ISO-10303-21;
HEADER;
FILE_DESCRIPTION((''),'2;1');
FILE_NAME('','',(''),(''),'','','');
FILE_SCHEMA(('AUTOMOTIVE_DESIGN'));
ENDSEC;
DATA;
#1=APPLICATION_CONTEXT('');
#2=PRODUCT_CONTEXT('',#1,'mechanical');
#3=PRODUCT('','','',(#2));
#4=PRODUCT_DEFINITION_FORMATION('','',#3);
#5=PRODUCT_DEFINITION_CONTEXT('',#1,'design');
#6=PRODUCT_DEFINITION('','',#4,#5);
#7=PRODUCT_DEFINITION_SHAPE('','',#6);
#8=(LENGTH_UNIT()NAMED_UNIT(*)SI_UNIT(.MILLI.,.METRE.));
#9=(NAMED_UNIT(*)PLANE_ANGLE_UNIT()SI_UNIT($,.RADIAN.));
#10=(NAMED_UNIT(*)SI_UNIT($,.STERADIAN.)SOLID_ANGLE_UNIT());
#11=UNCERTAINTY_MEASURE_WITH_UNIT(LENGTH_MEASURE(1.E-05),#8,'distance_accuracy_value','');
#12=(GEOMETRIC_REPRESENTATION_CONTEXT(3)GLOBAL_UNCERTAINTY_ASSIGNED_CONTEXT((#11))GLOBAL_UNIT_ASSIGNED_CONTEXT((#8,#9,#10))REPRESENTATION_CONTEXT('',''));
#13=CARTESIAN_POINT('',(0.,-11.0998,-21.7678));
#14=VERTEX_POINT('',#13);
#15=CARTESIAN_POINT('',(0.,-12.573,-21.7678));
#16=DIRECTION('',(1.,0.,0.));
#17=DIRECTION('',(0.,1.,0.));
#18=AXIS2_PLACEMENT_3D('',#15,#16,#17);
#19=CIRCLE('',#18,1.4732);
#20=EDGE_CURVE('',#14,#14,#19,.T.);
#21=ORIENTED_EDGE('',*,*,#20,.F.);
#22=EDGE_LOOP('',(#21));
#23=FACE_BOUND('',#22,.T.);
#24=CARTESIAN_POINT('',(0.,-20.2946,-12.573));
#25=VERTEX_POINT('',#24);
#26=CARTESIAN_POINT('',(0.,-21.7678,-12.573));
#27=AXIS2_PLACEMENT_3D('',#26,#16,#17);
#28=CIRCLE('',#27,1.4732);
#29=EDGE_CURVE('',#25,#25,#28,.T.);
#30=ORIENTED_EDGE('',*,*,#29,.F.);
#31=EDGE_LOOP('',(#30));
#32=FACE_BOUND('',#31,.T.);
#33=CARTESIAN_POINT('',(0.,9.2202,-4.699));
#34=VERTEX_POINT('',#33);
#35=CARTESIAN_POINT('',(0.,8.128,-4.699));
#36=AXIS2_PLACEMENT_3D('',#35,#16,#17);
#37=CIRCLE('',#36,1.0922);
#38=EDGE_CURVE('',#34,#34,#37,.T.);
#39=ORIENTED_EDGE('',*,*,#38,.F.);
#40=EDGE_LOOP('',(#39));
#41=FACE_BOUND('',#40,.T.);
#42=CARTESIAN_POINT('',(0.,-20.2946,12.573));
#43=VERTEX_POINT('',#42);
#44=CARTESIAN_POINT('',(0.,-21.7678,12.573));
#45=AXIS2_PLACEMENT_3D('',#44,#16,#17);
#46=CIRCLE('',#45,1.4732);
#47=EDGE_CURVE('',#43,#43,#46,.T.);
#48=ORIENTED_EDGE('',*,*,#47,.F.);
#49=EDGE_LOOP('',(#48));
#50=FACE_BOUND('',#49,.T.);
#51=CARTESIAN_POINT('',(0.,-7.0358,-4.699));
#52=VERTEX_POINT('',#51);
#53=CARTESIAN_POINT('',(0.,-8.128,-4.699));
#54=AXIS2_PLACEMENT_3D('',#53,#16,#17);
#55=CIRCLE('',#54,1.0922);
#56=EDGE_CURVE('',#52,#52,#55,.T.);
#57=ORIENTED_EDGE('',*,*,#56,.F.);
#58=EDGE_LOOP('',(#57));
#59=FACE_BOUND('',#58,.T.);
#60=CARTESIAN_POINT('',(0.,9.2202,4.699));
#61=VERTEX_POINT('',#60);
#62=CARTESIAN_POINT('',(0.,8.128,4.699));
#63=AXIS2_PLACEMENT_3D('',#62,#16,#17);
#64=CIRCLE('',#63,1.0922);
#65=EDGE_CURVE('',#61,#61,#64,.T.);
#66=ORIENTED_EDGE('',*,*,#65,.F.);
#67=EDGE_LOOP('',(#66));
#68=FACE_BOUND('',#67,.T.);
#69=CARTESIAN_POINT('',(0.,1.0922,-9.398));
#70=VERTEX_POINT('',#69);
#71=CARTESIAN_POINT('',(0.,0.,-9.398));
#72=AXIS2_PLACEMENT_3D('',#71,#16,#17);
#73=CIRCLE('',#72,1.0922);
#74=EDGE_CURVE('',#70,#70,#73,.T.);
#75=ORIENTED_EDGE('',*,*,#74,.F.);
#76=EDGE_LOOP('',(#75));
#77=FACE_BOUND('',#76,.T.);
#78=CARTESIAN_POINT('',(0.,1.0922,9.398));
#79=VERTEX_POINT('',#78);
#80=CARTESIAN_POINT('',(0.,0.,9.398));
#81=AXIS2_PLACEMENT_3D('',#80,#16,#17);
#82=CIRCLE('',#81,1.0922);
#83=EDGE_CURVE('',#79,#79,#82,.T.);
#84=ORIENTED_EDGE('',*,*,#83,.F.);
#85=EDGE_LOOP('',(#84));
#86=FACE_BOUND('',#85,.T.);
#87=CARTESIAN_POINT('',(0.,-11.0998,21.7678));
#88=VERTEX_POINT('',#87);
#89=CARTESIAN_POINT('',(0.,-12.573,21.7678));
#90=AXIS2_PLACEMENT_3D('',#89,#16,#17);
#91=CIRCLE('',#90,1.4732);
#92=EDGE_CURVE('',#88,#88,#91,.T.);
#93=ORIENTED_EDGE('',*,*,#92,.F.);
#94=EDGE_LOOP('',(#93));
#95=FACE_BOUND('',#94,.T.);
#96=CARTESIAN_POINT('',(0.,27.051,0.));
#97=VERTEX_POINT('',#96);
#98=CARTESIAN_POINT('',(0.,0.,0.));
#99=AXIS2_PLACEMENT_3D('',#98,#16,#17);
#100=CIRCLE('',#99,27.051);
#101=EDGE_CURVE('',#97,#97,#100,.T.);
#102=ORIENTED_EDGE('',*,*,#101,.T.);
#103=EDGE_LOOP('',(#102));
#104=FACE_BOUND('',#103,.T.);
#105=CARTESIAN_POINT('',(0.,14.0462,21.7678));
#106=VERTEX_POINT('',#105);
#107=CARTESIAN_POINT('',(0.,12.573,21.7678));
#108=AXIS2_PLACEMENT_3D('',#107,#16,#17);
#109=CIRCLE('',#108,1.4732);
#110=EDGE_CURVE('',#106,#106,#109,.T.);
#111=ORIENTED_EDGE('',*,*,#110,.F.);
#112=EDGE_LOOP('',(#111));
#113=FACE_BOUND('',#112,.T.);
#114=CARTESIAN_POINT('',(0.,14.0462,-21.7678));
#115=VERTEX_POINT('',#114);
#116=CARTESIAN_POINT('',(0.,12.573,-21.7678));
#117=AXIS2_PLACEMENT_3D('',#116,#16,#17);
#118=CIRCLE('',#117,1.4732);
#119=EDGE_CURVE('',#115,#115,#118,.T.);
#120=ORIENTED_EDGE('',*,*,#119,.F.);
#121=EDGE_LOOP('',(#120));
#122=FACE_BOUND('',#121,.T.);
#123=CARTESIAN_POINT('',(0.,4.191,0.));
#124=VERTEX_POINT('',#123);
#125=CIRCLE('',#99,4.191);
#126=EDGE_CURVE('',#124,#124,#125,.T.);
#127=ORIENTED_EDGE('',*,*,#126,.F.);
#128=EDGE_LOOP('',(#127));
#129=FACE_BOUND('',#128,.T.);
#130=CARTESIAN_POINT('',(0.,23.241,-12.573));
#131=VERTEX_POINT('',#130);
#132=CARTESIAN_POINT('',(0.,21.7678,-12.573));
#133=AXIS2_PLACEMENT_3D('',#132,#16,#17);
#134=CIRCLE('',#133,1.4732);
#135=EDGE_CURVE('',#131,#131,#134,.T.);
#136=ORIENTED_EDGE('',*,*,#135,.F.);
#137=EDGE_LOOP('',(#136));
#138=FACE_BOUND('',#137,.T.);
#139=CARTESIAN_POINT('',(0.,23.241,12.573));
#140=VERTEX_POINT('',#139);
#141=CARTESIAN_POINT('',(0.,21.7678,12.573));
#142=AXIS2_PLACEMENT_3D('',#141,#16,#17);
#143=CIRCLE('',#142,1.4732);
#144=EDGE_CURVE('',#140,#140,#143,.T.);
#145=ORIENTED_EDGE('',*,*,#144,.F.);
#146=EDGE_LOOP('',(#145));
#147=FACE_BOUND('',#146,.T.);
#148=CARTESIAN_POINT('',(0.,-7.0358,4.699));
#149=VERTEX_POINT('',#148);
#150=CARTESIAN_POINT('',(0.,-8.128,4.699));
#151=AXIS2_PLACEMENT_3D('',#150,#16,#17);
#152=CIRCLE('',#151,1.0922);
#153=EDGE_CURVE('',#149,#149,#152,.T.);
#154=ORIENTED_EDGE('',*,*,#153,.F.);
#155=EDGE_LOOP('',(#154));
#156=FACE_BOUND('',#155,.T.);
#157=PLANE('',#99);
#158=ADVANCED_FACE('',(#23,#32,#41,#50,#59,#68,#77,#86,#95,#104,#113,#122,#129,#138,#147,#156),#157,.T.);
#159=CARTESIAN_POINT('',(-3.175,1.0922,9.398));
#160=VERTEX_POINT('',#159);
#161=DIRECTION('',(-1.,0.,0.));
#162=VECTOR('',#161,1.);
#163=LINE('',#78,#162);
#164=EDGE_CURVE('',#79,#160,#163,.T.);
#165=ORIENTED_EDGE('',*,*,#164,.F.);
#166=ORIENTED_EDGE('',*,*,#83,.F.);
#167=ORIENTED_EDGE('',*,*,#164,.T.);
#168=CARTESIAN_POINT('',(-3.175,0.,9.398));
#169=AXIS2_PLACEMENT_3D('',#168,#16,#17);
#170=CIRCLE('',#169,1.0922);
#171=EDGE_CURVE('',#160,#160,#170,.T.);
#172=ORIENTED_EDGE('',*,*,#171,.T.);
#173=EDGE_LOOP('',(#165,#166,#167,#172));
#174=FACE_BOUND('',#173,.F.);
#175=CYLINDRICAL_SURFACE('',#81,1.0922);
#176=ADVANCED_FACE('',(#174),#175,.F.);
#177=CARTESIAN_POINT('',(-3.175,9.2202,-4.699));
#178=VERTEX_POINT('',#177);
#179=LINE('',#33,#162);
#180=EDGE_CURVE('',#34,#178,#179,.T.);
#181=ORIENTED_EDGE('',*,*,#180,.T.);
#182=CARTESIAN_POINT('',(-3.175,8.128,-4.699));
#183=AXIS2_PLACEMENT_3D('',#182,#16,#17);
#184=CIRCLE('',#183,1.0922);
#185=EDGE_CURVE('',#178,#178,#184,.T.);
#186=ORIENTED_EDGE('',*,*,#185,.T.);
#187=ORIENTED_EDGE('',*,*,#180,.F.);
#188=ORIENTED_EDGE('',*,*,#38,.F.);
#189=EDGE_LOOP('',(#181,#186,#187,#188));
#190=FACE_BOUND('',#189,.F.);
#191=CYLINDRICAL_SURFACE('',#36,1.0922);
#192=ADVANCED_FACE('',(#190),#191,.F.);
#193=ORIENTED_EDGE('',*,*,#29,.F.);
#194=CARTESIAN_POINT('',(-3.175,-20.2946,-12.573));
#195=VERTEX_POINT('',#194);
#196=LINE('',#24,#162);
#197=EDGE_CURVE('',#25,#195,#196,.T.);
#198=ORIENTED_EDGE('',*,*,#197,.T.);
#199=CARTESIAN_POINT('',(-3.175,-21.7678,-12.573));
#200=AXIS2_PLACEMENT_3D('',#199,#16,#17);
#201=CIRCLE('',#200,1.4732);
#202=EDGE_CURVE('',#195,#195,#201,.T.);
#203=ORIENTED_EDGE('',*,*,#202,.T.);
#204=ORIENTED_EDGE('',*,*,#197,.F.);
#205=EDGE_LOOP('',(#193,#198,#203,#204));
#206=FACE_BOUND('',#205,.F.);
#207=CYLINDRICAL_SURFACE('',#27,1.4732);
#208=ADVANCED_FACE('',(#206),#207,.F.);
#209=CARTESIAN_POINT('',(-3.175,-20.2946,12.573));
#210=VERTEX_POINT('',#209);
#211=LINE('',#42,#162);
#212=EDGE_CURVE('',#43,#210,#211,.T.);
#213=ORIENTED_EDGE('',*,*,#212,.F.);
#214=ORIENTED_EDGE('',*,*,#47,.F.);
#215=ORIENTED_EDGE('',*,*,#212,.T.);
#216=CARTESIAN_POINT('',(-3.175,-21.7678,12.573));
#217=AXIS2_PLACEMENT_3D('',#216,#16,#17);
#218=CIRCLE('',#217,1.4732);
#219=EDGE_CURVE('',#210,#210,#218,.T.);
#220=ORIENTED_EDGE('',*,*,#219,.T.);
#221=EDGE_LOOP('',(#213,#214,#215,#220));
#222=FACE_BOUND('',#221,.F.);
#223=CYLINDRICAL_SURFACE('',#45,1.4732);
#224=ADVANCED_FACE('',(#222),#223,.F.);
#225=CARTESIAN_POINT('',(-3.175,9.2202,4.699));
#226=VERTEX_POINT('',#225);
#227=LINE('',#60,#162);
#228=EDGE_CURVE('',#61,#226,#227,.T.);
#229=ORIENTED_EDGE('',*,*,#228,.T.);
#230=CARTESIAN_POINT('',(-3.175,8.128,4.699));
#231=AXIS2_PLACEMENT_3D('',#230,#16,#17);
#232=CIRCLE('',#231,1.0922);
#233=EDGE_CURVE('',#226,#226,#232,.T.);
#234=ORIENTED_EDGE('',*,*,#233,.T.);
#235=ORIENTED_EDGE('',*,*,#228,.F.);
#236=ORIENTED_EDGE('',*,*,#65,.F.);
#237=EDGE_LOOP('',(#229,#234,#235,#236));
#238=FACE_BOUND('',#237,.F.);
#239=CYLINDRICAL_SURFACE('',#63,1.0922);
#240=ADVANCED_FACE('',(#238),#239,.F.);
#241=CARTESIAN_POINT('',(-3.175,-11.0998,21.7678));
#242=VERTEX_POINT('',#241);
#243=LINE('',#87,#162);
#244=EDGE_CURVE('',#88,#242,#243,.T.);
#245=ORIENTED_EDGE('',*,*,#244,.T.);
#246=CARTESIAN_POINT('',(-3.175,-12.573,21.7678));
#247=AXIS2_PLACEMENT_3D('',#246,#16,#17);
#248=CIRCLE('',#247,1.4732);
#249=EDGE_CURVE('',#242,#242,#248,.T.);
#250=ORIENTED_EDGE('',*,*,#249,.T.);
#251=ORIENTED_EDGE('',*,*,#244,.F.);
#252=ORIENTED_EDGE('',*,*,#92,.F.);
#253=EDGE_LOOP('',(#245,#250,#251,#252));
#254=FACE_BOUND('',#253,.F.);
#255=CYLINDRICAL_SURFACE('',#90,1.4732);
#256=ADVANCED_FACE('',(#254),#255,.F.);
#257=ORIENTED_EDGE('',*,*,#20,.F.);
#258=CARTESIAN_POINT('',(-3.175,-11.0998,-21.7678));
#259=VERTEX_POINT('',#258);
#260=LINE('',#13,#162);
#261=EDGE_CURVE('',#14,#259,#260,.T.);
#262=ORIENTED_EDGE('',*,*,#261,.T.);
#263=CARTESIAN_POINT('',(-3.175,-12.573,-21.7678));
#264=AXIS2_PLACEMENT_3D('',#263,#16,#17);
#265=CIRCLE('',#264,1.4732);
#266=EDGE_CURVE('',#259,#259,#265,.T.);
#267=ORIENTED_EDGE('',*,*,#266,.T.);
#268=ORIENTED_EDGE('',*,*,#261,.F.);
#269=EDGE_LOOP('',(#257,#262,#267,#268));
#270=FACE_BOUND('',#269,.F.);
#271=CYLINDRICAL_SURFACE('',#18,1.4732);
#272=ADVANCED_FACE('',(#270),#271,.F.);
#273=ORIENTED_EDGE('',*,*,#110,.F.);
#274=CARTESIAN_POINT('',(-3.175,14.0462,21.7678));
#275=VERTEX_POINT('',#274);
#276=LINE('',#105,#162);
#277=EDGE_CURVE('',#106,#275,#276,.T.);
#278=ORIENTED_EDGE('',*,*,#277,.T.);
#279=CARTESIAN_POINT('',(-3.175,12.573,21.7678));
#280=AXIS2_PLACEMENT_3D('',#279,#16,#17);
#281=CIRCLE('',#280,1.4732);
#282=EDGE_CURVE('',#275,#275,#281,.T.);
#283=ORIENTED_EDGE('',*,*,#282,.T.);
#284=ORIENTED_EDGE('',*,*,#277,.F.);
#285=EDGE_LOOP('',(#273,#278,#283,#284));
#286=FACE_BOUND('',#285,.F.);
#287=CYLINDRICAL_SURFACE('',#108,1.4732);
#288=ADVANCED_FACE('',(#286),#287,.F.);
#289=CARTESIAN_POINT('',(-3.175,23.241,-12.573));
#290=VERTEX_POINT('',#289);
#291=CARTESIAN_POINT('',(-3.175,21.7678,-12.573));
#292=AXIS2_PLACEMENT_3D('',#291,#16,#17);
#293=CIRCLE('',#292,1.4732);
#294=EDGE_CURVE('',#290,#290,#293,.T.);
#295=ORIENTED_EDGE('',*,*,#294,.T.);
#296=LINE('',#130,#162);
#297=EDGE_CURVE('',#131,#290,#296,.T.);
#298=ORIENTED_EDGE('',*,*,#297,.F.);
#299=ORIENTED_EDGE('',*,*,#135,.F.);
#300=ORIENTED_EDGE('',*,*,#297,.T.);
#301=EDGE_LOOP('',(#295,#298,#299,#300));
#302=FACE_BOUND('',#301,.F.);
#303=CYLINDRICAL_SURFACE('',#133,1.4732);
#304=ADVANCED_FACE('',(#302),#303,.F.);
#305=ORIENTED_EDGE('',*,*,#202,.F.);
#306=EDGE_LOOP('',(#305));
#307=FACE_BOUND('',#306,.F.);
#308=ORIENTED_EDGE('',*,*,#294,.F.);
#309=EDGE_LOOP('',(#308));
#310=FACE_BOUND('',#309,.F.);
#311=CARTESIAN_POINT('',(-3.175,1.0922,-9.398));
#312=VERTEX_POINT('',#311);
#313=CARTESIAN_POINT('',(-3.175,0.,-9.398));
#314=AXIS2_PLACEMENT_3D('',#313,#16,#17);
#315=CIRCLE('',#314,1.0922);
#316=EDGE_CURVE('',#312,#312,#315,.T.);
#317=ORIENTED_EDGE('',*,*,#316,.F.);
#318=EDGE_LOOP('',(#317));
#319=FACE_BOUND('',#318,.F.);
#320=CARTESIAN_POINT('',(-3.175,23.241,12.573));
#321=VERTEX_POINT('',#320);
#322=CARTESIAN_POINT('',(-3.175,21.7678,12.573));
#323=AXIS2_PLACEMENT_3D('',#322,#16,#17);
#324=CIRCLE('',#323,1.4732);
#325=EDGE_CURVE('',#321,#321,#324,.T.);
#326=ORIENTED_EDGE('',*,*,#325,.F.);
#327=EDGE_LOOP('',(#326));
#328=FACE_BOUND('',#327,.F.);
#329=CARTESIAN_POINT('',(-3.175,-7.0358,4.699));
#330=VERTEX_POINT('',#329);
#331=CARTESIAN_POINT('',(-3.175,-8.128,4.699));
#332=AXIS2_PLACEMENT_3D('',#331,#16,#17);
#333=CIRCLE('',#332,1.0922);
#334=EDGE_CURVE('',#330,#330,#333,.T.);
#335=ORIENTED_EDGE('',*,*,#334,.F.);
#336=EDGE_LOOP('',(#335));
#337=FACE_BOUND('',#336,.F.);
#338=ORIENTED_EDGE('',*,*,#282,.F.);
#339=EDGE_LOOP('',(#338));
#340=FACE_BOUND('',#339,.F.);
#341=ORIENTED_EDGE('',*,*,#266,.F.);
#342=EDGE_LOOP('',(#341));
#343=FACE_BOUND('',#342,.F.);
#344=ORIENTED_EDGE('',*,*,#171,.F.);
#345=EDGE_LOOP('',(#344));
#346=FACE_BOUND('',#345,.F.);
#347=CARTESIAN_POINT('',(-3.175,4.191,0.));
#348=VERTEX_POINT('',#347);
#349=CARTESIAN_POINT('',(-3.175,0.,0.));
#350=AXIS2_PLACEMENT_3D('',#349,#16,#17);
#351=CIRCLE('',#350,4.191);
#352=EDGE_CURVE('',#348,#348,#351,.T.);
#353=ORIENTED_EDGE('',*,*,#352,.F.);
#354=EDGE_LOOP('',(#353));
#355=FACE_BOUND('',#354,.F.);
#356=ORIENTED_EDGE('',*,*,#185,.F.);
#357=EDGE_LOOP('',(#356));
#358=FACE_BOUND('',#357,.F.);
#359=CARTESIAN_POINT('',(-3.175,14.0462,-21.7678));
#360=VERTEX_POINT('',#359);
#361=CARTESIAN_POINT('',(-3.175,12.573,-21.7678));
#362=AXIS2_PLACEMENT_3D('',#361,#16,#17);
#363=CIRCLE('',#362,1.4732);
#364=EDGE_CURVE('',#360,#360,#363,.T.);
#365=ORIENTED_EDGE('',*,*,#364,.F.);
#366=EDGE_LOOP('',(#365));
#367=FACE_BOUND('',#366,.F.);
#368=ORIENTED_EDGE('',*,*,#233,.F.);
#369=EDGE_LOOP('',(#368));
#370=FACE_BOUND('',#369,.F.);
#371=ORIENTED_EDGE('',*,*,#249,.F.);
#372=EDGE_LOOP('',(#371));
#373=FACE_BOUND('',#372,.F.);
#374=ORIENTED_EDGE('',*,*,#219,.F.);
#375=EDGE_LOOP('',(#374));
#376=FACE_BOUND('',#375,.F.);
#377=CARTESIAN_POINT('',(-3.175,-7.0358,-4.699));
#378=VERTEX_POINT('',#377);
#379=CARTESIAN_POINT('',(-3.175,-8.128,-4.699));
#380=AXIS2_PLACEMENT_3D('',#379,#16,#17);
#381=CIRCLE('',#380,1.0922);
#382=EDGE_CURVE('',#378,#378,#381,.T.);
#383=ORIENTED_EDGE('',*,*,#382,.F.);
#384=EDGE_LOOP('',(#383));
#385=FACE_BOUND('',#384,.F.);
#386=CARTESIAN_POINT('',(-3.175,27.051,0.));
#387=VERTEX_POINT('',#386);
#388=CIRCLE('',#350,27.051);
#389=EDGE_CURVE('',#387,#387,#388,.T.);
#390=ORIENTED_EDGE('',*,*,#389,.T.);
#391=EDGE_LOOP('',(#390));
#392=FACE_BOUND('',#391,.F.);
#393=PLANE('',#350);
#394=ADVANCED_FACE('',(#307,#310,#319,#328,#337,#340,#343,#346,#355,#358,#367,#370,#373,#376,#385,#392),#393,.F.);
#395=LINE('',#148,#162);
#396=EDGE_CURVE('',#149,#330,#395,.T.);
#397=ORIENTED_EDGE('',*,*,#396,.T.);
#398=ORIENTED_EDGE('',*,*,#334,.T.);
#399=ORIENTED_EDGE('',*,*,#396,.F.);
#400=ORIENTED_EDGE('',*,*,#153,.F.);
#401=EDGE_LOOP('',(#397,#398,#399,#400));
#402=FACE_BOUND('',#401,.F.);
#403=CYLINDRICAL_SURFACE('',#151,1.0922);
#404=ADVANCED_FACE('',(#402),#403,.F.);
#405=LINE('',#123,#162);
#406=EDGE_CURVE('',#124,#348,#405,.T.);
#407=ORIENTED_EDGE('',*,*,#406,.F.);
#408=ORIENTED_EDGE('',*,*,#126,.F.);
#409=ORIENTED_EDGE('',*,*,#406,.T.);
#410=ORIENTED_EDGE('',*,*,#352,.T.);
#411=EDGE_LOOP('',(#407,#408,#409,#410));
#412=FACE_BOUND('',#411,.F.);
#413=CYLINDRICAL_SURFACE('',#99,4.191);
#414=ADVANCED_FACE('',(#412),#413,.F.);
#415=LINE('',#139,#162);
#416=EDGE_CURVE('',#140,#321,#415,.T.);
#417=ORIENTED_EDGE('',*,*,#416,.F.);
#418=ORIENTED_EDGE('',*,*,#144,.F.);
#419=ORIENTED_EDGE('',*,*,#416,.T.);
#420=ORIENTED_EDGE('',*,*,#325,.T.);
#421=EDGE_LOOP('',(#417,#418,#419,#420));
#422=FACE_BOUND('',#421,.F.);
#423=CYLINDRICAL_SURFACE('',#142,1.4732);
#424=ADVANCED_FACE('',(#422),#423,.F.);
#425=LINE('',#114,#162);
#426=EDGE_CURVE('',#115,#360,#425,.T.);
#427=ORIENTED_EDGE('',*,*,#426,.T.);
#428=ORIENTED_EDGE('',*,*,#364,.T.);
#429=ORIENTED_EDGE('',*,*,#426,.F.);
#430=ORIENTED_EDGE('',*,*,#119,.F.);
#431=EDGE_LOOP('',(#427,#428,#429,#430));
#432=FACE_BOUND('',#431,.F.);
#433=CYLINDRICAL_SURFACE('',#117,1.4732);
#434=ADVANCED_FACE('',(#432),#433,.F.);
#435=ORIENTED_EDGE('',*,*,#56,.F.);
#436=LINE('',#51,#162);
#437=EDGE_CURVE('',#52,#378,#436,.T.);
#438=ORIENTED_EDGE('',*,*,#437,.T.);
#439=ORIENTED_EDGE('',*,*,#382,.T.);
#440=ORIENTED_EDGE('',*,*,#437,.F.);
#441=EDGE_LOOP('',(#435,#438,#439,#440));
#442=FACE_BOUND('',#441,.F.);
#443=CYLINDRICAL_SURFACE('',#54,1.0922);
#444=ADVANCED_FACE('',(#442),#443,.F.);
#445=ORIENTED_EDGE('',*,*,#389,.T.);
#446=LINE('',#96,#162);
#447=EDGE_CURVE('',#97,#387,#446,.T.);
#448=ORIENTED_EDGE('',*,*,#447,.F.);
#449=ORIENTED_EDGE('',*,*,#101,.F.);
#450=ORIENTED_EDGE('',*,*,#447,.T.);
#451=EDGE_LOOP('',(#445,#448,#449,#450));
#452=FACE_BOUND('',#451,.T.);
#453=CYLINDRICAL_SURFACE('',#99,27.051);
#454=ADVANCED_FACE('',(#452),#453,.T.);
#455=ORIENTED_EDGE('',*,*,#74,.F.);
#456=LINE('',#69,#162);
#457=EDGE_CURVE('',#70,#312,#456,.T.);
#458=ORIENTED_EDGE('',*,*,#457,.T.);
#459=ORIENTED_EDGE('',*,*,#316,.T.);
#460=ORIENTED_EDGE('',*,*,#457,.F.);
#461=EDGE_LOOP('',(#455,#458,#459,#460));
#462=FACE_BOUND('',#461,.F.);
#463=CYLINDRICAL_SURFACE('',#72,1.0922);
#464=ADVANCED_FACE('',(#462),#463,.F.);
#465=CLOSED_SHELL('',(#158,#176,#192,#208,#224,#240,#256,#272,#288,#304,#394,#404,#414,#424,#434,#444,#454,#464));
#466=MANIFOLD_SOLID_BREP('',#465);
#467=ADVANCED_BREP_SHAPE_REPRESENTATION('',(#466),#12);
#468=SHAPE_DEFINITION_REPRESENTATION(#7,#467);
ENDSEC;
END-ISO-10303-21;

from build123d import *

# Parameters (mm, degrees)
F0_R     = 27.051
F0_R_2   = 1.4732
F0_R_3   = 1.0922
F0_R_4   = 4.191
F1_DEPTH = 3.175


with BuildPart() as f1:
    # F0 (on Right) → F1 (new body)
    with BuildSketch(Plane.YZ):
        Circle(F0_R)
        with Locations((-12.573, -21.7678)):
            Circle(F0_R_2, mode=Mode.SUBTRACT)
        with Locations((-21.7678, -12.573)):
            Circle(F0_R_2, mode=Mode.SUBTRACT)
        with Locations((-8.128, -4.699)):
            Circle(F0_R_3, mode=Mode.SUBTRACT)
        with Locations((12.573, -21.7678)):
            Circle(F0_R_2, mode=Mode.SUBTRACT)
        with Locations((0, -9.398)):
            Circle(F0_R_3, mode=Mode.SUBTRACT)
        with Locations((8.128, -4.699)):
            Circle(F0_R_3, mode=Mode.SUBTRACT)
        with Locations((21.7678, -12.573)):
            Circle(F0_R_2, mode=Mode.SUBTRACT)
        with Locations((-21.7678, 12.573)):
            Circle(F0_R_2, mode=Mode.SUBTRACT)
        with Locations((-8.128, 4.699)):
            Circle(F0_R_3, mode=Mode.SUBTRACT)
        with Locations((-12.573, 21.7678)):
            Circle(F0_R_2, mode=Mode.SUBTRACT)
        Circle(F0_R_4, mode=Mode.SUBTRACT)
        with Locations((8.128, 4.699)):
            Circle(F0_R_3, mode=Mode.SUBTRACT)
        with Locations((0, 9.398)):
            Circle(F0_R_3, mode=Mode.SUBTRACT)
        with Locations((21.7678, 12.573)):
            Circle(F0_R_2, mode=Mode.SUBTRACT)
        with Locations((12.573, 21.7678)):
            Circle(F0_R_2, mode=Mode.SUBTRACT)
    extrude(amount=-F1_DEPTH)


solid = f1.part
